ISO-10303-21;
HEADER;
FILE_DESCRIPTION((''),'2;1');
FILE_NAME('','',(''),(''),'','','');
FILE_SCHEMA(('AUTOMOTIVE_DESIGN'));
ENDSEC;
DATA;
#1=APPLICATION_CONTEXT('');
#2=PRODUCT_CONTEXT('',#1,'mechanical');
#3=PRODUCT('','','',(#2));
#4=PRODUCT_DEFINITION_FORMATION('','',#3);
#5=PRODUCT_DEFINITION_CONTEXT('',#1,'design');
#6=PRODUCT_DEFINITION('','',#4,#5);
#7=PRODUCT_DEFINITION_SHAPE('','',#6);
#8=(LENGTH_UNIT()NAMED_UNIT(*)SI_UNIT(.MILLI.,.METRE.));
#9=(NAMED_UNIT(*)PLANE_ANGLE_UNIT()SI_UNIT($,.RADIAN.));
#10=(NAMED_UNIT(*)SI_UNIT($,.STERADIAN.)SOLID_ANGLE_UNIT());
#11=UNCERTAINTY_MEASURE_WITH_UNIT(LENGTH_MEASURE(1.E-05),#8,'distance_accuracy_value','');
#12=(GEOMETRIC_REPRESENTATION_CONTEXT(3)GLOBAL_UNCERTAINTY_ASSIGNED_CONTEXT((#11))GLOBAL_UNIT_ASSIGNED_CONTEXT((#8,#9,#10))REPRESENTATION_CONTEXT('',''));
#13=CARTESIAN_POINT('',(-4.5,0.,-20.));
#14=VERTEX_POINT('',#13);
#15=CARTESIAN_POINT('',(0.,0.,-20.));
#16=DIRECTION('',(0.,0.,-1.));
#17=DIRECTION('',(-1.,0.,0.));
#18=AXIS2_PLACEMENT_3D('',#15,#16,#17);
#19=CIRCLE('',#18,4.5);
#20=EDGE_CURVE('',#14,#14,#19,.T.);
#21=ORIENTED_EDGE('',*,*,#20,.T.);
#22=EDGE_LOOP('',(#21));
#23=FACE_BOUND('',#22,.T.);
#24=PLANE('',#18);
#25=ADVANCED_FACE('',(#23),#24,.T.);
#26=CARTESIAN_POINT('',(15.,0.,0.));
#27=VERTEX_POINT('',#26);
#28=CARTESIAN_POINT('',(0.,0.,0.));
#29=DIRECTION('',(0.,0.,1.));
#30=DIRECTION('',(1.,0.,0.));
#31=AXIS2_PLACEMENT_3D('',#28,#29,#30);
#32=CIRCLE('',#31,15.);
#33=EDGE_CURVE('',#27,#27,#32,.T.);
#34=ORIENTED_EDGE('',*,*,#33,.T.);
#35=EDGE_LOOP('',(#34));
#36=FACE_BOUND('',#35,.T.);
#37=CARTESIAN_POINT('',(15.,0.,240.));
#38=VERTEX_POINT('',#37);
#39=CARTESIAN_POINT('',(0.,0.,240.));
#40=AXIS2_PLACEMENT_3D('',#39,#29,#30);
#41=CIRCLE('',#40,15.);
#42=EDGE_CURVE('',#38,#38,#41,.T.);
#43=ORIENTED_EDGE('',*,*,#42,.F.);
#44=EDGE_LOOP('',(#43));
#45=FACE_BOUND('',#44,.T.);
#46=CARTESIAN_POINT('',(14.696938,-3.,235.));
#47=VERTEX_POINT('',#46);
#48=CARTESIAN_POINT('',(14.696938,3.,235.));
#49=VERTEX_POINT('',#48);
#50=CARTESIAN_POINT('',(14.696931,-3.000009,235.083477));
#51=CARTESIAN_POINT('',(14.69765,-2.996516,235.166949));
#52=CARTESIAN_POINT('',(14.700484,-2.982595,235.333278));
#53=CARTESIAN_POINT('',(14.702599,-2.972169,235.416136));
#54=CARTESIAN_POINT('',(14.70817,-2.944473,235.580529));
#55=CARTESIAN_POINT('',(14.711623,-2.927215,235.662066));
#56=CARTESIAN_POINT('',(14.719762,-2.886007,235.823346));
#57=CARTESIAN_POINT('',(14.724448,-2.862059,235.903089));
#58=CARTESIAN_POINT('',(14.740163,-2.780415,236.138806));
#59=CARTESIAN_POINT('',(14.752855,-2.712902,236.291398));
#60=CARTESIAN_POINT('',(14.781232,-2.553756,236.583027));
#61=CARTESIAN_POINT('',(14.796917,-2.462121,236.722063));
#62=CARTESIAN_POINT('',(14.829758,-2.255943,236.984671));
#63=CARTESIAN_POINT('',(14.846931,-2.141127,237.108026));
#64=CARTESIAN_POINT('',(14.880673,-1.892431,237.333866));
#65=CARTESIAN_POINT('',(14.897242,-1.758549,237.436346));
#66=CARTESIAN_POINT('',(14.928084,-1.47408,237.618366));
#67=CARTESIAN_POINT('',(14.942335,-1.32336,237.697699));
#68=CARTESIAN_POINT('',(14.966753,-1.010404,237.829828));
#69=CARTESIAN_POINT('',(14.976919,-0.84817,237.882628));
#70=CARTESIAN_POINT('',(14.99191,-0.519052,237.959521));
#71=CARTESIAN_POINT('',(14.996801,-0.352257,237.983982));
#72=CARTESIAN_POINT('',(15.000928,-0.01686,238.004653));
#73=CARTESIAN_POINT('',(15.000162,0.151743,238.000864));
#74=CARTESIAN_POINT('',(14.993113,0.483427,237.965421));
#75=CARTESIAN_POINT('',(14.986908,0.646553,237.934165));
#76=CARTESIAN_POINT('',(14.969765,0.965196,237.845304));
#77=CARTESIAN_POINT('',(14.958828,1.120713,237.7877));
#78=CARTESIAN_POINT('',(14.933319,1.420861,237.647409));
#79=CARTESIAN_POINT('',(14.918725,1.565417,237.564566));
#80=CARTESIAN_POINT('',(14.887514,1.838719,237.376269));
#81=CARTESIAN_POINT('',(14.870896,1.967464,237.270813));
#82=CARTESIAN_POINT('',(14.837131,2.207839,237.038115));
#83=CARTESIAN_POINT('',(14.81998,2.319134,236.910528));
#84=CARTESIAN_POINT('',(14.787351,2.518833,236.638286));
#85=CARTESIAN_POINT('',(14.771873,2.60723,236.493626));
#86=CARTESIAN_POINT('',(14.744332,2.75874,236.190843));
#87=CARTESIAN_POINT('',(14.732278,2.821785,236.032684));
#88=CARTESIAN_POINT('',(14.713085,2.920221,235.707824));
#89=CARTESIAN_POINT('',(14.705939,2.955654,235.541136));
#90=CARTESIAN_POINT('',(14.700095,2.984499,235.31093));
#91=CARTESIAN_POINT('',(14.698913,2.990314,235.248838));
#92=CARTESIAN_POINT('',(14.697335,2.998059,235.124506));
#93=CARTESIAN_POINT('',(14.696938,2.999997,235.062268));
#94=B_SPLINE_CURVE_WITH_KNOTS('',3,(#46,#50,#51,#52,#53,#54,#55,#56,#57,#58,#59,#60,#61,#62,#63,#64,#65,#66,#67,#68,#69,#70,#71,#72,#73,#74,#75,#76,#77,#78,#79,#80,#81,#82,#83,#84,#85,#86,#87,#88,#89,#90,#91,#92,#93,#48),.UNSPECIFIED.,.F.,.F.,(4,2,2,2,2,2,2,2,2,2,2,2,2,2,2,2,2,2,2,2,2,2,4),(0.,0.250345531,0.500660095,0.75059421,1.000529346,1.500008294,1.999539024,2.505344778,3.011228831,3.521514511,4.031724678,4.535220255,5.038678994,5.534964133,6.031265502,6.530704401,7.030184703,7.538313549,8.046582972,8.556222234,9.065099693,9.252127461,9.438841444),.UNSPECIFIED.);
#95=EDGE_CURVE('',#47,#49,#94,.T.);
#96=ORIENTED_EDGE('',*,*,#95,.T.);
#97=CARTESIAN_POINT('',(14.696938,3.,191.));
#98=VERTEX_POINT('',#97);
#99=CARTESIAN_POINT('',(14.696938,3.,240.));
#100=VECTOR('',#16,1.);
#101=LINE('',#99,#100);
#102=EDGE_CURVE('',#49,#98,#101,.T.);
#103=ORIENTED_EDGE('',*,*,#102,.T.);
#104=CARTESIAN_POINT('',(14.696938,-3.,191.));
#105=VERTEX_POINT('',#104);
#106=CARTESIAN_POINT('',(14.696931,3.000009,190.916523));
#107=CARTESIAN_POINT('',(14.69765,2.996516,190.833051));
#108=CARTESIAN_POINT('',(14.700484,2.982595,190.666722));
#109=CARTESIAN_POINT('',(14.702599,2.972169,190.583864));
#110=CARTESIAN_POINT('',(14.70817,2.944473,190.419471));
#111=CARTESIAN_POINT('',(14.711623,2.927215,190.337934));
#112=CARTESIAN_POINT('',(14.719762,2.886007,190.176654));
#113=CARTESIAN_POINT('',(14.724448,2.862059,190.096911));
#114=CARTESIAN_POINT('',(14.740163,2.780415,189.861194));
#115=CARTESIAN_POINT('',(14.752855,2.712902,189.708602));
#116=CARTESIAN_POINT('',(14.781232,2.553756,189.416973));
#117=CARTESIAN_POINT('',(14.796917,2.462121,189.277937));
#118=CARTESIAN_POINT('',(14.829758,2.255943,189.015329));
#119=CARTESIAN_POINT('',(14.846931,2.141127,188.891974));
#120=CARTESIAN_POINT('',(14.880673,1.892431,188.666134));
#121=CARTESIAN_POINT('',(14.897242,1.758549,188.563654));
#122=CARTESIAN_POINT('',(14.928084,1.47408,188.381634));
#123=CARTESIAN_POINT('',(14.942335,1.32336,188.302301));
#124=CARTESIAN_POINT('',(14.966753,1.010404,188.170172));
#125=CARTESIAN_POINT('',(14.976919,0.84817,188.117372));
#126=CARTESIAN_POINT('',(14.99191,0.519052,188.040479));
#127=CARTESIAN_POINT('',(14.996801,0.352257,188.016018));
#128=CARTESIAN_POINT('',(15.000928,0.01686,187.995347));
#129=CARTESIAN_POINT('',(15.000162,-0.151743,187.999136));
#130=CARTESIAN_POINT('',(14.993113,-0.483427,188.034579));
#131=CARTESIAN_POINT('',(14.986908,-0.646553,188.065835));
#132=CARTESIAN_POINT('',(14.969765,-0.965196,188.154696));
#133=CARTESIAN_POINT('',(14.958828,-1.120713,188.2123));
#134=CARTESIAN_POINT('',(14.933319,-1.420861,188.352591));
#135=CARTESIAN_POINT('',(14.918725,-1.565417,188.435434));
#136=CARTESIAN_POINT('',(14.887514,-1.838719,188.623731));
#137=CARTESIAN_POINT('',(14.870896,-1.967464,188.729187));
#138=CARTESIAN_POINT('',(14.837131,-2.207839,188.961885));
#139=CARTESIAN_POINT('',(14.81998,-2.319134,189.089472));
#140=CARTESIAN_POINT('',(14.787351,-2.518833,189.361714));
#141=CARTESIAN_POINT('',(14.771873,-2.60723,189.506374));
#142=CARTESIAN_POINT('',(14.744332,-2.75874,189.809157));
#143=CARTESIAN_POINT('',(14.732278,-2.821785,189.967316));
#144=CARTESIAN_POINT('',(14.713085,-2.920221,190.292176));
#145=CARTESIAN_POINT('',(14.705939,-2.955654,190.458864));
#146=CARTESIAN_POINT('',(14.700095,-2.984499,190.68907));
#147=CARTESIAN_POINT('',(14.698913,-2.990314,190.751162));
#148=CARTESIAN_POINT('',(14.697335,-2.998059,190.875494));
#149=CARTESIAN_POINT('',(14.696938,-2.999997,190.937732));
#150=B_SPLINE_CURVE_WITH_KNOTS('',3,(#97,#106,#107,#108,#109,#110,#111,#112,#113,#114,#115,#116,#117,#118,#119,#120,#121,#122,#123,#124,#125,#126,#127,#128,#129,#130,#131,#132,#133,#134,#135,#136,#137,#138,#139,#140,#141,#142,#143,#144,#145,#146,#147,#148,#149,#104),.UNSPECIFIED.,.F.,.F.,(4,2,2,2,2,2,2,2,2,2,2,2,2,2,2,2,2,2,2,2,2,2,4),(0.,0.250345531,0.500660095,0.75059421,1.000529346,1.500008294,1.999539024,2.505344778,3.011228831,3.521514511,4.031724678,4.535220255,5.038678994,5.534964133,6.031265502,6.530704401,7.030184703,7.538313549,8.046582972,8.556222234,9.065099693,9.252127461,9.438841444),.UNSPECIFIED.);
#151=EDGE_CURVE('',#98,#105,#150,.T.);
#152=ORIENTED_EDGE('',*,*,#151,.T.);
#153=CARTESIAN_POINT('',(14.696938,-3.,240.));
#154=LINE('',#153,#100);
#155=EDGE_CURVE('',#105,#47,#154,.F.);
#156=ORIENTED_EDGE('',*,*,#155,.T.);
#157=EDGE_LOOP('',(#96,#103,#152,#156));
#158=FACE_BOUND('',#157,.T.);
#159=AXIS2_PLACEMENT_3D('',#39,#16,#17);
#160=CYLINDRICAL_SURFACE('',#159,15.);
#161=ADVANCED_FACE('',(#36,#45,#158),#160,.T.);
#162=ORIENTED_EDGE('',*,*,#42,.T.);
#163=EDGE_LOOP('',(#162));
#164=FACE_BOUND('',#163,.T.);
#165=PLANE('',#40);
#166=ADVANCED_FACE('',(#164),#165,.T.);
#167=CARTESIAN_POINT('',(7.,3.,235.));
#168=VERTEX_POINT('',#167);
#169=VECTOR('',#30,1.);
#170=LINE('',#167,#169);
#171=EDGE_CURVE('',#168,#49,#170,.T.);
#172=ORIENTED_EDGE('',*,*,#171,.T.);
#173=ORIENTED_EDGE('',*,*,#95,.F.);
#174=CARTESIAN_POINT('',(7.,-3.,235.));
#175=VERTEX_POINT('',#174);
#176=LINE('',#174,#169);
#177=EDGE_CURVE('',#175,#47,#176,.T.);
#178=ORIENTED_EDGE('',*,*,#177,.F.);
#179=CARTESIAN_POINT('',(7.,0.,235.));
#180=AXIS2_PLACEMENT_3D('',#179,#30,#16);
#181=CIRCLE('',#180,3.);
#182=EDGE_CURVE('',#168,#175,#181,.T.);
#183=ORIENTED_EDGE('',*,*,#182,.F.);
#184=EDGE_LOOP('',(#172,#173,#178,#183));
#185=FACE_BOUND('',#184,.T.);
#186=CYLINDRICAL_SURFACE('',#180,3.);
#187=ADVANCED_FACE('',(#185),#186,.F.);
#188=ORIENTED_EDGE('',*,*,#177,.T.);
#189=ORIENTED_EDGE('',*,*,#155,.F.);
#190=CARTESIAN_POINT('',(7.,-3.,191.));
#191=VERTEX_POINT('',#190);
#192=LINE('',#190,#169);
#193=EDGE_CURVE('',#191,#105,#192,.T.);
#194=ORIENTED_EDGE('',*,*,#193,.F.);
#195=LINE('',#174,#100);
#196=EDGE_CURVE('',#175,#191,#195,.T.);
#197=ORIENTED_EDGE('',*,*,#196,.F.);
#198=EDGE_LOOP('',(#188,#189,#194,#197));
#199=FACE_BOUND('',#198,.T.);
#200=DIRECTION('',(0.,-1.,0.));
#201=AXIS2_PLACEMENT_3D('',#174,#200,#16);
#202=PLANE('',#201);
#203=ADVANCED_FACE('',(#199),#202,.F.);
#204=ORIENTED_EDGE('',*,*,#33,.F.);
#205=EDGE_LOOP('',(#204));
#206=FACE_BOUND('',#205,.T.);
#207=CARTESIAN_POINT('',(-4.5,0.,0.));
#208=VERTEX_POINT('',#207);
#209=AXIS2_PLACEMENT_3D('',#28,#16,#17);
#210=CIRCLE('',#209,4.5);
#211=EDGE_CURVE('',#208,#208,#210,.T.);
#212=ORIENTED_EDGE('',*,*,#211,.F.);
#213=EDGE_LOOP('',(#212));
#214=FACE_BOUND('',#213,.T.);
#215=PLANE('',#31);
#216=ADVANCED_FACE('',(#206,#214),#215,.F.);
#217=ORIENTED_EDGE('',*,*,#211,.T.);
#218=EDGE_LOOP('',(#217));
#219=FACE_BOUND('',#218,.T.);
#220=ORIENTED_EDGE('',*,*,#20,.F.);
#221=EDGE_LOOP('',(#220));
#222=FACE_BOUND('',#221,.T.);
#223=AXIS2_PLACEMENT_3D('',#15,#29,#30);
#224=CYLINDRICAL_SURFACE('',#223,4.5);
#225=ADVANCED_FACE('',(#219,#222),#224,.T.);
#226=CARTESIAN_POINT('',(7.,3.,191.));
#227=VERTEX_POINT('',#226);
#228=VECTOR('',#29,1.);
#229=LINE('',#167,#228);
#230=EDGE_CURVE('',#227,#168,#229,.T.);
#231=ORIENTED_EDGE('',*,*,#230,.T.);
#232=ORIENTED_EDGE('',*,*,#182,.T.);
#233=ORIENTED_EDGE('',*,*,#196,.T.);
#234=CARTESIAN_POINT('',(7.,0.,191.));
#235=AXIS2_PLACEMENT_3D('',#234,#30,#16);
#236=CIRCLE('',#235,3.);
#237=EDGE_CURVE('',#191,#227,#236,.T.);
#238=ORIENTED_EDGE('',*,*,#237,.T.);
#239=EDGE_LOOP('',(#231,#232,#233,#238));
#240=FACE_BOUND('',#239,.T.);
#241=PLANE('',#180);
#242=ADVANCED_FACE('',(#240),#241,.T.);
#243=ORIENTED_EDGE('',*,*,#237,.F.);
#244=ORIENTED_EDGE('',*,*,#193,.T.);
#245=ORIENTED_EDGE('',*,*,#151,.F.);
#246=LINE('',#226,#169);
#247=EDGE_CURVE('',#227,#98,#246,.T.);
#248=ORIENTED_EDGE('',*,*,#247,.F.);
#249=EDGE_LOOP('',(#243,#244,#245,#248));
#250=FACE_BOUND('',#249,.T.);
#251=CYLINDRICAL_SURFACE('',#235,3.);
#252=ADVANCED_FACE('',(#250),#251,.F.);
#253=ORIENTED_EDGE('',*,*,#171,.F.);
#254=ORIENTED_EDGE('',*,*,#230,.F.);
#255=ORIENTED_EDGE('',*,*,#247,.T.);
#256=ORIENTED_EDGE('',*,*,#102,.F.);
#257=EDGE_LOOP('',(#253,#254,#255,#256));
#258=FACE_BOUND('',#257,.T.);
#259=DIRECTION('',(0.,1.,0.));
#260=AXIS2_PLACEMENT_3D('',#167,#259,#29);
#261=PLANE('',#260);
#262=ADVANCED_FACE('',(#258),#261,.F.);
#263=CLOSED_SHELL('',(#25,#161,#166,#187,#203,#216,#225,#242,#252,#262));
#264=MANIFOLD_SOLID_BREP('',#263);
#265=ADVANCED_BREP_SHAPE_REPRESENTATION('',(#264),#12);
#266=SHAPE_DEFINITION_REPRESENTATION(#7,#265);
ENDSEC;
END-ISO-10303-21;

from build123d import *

# Parameters (mm, degrees)
SKETCH_1_R          = 15
EXTRUDE_1_DEPTH     = 240
SKETCH_4_R          = 4.5
EXTRUDE_2_DEPTH     = 20
CUT_EXTRUDE_3_DEPTH = 8


with BuildPart() as part:
    # 草图1 → 凸台-拉伸1 (new body)
    with BuildSketch(Plane.XY):
        Circle(SKETCH_1_R)
    extrude(amount=EXTRUDE_1_DEPTH)

    # 草图4 → 凸台-拉伸2 (add)
    with BuildSketch(Plane(origin=(0, 0, 0), x_dir=(-1, 0, 0), z_dir=(0, 0, -1))):
        Circle(SKETCH_4_R)
    extrude(amount=EXTRUDE_2_DEPTH)

    # 草图5 → 切除-拉伸3 (cut)
    with BuildSketch(Plane(origin=(15, 0, 0), x_dir=(0, 0, -1), z_dir=(1, 0, 0))):
        with BuildLine():
            Line((-235, 3), (-191, 3))
            ThreePointArc((-191, 3), (-188, 0), (-191, -3))
            Line((-191, -3), (-235, -3))
            ThreePointArc((-235, -3), (-238, 0), (-235, 3))
        make_face()
    extrude(amount=-CUT_EXTRUDE_3_DEPTH, mode=Mode.SUBTRACT)


solid = part.part
